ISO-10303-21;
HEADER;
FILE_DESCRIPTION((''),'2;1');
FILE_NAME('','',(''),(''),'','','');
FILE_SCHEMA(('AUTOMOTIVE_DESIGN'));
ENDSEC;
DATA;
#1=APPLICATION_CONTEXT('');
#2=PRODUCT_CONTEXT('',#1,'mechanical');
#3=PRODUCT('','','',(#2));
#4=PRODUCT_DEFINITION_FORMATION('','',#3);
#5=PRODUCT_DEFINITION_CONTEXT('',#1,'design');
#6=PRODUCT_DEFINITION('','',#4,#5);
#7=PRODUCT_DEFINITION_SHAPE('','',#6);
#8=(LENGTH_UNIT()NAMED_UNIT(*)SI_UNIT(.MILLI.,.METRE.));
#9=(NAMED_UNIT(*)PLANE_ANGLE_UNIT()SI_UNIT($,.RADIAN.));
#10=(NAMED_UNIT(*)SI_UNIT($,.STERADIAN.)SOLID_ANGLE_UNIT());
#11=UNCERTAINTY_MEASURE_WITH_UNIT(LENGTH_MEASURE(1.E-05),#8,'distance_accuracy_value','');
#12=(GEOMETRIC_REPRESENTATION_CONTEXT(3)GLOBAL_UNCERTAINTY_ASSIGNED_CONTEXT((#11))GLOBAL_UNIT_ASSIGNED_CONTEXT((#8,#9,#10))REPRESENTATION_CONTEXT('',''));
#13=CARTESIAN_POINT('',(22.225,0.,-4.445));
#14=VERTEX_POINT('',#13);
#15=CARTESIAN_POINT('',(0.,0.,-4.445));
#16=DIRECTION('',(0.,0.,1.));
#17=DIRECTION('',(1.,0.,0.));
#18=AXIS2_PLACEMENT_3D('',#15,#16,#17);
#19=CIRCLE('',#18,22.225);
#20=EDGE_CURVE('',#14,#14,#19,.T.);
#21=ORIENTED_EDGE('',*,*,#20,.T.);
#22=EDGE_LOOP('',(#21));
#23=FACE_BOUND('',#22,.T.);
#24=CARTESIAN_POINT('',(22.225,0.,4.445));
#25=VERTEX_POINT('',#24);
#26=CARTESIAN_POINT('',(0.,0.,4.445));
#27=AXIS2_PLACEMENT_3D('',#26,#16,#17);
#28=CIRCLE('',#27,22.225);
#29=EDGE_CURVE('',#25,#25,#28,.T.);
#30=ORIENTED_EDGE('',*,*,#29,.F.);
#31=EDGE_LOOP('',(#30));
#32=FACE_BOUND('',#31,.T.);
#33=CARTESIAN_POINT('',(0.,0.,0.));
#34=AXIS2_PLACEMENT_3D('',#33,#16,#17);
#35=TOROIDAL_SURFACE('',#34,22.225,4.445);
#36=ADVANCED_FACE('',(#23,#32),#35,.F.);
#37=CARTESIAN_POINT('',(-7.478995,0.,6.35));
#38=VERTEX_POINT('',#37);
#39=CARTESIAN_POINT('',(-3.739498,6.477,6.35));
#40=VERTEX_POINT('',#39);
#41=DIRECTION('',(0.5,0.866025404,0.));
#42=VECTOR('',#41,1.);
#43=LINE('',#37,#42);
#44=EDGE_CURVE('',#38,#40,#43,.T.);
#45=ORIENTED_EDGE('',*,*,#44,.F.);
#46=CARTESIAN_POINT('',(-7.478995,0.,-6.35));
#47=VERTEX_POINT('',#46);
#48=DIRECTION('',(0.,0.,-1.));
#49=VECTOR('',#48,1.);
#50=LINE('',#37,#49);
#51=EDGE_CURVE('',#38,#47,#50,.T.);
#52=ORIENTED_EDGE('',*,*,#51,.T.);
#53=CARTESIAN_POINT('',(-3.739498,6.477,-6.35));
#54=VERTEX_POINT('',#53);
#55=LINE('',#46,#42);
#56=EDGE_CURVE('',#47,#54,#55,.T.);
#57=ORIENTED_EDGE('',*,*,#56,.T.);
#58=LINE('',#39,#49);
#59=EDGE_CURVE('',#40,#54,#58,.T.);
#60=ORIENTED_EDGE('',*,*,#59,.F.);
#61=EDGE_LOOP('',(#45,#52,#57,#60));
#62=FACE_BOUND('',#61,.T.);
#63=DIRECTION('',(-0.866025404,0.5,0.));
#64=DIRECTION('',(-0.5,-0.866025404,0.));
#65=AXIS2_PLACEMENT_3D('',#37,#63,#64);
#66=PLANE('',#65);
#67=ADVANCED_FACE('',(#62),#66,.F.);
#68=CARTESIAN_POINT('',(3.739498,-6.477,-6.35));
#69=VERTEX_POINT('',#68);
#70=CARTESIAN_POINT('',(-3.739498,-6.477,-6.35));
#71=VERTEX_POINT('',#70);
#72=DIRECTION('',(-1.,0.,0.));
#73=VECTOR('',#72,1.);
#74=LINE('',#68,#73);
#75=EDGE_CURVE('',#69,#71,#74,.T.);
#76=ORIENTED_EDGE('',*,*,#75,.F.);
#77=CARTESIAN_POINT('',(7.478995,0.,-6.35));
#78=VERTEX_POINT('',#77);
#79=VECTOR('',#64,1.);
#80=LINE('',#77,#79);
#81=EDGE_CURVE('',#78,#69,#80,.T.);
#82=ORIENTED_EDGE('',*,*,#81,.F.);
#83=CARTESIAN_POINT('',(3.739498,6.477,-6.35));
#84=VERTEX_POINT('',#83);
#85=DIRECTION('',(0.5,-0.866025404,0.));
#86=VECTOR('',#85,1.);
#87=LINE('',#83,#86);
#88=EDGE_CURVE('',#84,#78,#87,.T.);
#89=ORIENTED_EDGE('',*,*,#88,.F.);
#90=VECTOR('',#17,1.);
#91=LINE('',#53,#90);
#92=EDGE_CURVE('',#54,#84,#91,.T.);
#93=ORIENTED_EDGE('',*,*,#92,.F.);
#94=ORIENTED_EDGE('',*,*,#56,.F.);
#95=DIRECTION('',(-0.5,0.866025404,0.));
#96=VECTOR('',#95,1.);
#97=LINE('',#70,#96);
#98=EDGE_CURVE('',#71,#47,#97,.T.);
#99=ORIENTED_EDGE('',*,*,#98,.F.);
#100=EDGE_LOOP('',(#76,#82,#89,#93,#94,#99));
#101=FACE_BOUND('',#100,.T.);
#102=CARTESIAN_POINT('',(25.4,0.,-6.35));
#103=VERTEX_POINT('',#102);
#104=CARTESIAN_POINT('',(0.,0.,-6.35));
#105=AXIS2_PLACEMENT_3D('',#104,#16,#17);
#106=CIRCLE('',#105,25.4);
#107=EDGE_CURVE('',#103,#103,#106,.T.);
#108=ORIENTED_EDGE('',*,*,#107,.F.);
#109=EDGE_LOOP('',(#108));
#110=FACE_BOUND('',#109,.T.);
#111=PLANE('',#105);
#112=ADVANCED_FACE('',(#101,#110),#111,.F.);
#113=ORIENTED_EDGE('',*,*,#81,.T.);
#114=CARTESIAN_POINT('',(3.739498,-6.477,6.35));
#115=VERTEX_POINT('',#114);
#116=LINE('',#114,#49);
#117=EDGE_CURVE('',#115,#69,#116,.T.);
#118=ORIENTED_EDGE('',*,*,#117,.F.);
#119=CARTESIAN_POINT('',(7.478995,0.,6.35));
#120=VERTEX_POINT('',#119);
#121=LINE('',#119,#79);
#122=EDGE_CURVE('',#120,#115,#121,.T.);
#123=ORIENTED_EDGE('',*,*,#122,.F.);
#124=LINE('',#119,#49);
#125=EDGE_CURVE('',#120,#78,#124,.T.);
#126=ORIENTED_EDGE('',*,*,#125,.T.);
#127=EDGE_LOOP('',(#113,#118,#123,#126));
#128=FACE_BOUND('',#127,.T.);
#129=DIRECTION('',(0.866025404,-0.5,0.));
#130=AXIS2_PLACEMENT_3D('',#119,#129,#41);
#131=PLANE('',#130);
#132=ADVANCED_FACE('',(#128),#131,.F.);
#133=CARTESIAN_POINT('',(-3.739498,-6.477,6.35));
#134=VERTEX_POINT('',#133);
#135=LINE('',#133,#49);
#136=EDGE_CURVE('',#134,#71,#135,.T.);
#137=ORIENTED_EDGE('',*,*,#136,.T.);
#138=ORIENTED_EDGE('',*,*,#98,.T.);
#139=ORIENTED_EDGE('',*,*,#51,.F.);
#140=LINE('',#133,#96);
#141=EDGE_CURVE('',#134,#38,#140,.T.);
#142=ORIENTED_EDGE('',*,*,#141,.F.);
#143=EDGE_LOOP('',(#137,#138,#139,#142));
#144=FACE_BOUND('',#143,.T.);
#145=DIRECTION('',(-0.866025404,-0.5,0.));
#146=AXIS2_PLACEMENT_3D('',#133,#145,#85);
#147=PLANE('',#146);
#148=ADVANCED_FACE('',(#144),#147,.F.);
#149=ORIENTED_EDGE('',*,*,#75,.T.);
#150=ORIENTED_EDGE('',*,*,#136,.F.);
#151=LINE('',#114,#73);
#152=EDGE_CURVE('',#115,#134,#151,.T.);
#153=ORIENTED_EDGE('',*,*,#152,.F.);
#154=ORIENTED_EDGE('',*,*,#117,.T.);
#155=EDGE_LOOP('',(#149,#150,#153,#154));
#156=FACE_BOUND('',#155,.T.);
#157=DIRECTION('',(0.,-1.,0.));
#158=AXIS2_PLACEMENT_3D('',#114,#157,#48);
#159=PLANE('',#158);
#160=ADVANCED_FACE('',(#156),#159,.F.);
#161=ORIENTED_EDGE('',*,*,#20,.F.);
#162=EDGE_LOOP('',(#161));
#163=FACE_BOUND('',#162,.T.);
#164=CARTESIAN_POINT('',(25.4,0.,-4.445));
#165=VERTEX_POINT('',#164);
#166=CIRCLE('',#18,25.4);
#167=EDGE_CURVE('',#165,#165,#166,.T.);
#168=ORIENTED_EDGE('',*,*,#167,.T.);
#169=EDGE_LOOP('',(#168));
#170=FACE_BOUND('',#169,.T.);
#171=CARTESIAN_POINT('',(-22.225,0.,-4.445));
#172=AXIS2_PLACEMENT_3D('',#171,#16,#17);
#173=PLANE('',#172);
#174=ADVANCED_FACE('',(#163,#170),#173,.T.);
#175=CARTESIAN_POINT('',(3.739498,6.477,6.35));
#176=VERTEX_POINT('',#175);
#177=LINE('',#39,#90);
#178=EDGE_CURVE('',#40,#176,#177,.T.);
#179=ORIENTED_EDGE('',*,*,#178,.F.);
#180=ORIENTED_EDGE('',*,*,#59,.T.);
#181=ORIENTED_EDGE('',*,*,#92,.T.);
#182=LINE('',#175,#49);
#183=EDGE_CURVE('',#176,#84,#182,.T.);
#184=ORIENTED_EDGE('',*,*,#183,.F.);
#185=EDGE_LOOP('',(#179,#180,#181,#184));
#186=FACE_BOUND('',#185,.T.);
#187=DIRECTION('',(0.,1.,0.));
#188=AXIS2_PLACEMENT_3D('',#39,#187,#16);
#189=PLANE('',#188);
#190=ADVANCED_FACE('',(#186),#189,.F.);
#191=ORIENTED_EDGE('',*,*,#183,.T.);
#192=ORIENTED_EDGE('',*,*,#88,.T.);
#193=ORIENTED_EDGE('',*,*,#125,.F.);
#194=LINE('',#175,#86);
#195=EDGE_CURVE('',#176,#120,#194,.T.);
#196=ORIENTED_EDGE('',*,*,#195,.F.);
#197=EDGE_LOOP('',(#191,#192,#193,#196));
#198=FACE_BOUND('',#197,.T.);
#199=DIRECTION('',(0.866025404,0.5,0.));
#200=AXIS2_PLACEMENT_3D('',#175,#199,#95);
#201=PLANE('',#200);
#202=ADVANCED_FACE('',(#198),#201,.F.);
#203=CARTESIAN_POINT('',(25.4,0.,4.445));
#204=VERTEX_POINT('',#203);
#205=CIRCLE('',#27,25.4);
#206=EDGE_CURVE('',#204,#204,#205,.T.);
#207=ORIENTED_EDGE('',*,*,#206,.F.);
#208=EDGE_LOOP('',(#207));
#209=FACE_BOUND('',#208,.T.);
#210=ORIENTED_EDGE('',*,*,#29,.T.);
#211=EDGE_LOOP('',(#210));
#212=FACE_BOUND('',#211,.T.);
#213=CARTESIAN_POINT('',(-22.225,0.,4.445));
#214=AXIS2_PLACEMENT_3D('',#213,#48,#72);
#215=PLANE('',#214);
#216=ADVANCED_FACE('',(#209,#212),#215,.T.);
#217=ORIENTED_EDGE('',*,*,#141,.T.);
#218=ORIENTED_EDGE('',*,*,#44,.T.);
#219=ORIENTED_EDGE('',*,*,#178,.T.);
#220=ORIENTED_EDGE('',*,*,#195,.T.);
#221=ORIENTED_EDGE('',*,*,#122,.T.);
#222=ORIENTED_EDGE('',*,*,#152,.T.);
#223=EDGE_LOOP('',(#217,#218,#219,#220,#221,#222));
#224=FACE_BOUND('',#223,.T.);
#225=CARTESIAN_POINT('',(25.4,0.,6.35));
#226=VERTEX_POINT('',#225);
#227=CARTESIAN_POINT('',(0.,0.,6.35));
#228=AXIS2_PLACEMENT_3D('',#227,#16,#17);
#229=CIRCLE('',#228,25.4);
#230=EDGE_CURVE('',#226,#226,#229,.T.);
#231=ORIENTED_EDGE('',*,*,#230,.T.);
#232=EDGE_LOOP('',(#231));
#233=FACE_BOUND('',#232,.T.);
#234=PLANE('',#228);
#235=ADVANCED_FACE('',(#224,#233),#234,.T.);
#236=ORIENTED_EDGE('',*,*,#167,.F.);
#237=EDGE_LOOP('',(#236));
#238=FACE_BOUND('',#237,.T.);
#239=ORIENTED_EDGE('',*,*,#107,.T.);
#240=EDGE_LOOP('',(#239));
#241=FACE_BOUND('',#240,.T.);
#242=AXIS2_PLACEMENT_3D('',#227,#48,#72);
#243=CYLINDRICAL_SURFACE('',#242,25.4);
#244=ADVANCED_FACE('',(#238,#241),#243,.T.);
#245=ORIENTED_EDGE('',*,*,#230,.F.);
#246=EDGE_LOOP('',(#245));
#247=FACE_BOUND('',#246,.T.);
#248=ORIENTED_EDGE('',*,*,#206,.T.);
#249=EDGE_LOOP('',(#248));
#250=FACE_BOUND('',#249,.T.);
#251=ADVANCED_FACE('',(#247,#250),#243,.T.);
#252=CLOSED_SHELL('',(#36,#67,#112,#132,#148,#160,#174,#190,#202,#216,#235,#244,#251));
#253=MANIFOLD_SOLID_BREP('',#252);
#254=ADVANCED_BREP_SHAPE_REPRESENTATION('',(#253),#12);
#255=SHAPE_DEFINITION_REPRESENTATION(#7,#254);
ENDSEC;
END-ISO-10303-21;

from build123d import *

# Parameters (mm, degrees)
SKETCH1_R           = 25.4
BOSS_EXTRUDE1_DEPTH = 6.35
CUT_EXTRUDE1_DEPTH  = 39.1


with BuildPart() as part:
    # Sketch1 → Boss-Extrude1 (new, symmetric)
    with BuildSketch(Plane.XY):
        Circle(SKETCH1_R)
    extrude(amount=BOSS_EXTRUDE1_DEPTH, both=True)

    # Sketch3 → Cut-Revolve1 (revolve, cut)
    with BuildSketch(Plane(origin=(0, 0, 0), x_dir=(1, 0, 0), z_dir=(0, 1, 0)), mode=Mode.PRIVATE) as cut_revolve1_sk:
        with BuildLine():
            Line((-25.4, 4.445), (-25.4, -4.445))
            Line((-25.4, -4.445), (-22.225, -4.445))
            ThreePointArc((-22.225, -4.445), (-17.78, 0), (-22.225, 4.445))
            Line((-22.225, 4.445), (-25.4, 4.445))
        make_face()
    revolve(cut_revolve1_sk.sketch.rotate(Axis((0, 0, 17.119668281), (0, 0, -1)), 180), axis=Axis((0, 0, 17.119668281), (0, 0, -1)), mode=Mode.SUBTRACT)

    # Sketch4 → Cut-Extrude1 (cut, through all)
    with BuildSketch(Plane(origin=(0, 0, -6.35), x_dir=(-1, 0, 0), z_dir=(0, 0, -1))):
        Polygon((7.478995387, 0), (3.739497694, 6.477), (-3.739497694, 6.477), (-7.478995387, 0), (-3.739497694, -6.477), (3.739497694, -6.477), align=None)
    extrude(amount=-CUT_EXTRUDE1_DEPTH, mode=Mode.SUBTRACT)


solid = part.part
